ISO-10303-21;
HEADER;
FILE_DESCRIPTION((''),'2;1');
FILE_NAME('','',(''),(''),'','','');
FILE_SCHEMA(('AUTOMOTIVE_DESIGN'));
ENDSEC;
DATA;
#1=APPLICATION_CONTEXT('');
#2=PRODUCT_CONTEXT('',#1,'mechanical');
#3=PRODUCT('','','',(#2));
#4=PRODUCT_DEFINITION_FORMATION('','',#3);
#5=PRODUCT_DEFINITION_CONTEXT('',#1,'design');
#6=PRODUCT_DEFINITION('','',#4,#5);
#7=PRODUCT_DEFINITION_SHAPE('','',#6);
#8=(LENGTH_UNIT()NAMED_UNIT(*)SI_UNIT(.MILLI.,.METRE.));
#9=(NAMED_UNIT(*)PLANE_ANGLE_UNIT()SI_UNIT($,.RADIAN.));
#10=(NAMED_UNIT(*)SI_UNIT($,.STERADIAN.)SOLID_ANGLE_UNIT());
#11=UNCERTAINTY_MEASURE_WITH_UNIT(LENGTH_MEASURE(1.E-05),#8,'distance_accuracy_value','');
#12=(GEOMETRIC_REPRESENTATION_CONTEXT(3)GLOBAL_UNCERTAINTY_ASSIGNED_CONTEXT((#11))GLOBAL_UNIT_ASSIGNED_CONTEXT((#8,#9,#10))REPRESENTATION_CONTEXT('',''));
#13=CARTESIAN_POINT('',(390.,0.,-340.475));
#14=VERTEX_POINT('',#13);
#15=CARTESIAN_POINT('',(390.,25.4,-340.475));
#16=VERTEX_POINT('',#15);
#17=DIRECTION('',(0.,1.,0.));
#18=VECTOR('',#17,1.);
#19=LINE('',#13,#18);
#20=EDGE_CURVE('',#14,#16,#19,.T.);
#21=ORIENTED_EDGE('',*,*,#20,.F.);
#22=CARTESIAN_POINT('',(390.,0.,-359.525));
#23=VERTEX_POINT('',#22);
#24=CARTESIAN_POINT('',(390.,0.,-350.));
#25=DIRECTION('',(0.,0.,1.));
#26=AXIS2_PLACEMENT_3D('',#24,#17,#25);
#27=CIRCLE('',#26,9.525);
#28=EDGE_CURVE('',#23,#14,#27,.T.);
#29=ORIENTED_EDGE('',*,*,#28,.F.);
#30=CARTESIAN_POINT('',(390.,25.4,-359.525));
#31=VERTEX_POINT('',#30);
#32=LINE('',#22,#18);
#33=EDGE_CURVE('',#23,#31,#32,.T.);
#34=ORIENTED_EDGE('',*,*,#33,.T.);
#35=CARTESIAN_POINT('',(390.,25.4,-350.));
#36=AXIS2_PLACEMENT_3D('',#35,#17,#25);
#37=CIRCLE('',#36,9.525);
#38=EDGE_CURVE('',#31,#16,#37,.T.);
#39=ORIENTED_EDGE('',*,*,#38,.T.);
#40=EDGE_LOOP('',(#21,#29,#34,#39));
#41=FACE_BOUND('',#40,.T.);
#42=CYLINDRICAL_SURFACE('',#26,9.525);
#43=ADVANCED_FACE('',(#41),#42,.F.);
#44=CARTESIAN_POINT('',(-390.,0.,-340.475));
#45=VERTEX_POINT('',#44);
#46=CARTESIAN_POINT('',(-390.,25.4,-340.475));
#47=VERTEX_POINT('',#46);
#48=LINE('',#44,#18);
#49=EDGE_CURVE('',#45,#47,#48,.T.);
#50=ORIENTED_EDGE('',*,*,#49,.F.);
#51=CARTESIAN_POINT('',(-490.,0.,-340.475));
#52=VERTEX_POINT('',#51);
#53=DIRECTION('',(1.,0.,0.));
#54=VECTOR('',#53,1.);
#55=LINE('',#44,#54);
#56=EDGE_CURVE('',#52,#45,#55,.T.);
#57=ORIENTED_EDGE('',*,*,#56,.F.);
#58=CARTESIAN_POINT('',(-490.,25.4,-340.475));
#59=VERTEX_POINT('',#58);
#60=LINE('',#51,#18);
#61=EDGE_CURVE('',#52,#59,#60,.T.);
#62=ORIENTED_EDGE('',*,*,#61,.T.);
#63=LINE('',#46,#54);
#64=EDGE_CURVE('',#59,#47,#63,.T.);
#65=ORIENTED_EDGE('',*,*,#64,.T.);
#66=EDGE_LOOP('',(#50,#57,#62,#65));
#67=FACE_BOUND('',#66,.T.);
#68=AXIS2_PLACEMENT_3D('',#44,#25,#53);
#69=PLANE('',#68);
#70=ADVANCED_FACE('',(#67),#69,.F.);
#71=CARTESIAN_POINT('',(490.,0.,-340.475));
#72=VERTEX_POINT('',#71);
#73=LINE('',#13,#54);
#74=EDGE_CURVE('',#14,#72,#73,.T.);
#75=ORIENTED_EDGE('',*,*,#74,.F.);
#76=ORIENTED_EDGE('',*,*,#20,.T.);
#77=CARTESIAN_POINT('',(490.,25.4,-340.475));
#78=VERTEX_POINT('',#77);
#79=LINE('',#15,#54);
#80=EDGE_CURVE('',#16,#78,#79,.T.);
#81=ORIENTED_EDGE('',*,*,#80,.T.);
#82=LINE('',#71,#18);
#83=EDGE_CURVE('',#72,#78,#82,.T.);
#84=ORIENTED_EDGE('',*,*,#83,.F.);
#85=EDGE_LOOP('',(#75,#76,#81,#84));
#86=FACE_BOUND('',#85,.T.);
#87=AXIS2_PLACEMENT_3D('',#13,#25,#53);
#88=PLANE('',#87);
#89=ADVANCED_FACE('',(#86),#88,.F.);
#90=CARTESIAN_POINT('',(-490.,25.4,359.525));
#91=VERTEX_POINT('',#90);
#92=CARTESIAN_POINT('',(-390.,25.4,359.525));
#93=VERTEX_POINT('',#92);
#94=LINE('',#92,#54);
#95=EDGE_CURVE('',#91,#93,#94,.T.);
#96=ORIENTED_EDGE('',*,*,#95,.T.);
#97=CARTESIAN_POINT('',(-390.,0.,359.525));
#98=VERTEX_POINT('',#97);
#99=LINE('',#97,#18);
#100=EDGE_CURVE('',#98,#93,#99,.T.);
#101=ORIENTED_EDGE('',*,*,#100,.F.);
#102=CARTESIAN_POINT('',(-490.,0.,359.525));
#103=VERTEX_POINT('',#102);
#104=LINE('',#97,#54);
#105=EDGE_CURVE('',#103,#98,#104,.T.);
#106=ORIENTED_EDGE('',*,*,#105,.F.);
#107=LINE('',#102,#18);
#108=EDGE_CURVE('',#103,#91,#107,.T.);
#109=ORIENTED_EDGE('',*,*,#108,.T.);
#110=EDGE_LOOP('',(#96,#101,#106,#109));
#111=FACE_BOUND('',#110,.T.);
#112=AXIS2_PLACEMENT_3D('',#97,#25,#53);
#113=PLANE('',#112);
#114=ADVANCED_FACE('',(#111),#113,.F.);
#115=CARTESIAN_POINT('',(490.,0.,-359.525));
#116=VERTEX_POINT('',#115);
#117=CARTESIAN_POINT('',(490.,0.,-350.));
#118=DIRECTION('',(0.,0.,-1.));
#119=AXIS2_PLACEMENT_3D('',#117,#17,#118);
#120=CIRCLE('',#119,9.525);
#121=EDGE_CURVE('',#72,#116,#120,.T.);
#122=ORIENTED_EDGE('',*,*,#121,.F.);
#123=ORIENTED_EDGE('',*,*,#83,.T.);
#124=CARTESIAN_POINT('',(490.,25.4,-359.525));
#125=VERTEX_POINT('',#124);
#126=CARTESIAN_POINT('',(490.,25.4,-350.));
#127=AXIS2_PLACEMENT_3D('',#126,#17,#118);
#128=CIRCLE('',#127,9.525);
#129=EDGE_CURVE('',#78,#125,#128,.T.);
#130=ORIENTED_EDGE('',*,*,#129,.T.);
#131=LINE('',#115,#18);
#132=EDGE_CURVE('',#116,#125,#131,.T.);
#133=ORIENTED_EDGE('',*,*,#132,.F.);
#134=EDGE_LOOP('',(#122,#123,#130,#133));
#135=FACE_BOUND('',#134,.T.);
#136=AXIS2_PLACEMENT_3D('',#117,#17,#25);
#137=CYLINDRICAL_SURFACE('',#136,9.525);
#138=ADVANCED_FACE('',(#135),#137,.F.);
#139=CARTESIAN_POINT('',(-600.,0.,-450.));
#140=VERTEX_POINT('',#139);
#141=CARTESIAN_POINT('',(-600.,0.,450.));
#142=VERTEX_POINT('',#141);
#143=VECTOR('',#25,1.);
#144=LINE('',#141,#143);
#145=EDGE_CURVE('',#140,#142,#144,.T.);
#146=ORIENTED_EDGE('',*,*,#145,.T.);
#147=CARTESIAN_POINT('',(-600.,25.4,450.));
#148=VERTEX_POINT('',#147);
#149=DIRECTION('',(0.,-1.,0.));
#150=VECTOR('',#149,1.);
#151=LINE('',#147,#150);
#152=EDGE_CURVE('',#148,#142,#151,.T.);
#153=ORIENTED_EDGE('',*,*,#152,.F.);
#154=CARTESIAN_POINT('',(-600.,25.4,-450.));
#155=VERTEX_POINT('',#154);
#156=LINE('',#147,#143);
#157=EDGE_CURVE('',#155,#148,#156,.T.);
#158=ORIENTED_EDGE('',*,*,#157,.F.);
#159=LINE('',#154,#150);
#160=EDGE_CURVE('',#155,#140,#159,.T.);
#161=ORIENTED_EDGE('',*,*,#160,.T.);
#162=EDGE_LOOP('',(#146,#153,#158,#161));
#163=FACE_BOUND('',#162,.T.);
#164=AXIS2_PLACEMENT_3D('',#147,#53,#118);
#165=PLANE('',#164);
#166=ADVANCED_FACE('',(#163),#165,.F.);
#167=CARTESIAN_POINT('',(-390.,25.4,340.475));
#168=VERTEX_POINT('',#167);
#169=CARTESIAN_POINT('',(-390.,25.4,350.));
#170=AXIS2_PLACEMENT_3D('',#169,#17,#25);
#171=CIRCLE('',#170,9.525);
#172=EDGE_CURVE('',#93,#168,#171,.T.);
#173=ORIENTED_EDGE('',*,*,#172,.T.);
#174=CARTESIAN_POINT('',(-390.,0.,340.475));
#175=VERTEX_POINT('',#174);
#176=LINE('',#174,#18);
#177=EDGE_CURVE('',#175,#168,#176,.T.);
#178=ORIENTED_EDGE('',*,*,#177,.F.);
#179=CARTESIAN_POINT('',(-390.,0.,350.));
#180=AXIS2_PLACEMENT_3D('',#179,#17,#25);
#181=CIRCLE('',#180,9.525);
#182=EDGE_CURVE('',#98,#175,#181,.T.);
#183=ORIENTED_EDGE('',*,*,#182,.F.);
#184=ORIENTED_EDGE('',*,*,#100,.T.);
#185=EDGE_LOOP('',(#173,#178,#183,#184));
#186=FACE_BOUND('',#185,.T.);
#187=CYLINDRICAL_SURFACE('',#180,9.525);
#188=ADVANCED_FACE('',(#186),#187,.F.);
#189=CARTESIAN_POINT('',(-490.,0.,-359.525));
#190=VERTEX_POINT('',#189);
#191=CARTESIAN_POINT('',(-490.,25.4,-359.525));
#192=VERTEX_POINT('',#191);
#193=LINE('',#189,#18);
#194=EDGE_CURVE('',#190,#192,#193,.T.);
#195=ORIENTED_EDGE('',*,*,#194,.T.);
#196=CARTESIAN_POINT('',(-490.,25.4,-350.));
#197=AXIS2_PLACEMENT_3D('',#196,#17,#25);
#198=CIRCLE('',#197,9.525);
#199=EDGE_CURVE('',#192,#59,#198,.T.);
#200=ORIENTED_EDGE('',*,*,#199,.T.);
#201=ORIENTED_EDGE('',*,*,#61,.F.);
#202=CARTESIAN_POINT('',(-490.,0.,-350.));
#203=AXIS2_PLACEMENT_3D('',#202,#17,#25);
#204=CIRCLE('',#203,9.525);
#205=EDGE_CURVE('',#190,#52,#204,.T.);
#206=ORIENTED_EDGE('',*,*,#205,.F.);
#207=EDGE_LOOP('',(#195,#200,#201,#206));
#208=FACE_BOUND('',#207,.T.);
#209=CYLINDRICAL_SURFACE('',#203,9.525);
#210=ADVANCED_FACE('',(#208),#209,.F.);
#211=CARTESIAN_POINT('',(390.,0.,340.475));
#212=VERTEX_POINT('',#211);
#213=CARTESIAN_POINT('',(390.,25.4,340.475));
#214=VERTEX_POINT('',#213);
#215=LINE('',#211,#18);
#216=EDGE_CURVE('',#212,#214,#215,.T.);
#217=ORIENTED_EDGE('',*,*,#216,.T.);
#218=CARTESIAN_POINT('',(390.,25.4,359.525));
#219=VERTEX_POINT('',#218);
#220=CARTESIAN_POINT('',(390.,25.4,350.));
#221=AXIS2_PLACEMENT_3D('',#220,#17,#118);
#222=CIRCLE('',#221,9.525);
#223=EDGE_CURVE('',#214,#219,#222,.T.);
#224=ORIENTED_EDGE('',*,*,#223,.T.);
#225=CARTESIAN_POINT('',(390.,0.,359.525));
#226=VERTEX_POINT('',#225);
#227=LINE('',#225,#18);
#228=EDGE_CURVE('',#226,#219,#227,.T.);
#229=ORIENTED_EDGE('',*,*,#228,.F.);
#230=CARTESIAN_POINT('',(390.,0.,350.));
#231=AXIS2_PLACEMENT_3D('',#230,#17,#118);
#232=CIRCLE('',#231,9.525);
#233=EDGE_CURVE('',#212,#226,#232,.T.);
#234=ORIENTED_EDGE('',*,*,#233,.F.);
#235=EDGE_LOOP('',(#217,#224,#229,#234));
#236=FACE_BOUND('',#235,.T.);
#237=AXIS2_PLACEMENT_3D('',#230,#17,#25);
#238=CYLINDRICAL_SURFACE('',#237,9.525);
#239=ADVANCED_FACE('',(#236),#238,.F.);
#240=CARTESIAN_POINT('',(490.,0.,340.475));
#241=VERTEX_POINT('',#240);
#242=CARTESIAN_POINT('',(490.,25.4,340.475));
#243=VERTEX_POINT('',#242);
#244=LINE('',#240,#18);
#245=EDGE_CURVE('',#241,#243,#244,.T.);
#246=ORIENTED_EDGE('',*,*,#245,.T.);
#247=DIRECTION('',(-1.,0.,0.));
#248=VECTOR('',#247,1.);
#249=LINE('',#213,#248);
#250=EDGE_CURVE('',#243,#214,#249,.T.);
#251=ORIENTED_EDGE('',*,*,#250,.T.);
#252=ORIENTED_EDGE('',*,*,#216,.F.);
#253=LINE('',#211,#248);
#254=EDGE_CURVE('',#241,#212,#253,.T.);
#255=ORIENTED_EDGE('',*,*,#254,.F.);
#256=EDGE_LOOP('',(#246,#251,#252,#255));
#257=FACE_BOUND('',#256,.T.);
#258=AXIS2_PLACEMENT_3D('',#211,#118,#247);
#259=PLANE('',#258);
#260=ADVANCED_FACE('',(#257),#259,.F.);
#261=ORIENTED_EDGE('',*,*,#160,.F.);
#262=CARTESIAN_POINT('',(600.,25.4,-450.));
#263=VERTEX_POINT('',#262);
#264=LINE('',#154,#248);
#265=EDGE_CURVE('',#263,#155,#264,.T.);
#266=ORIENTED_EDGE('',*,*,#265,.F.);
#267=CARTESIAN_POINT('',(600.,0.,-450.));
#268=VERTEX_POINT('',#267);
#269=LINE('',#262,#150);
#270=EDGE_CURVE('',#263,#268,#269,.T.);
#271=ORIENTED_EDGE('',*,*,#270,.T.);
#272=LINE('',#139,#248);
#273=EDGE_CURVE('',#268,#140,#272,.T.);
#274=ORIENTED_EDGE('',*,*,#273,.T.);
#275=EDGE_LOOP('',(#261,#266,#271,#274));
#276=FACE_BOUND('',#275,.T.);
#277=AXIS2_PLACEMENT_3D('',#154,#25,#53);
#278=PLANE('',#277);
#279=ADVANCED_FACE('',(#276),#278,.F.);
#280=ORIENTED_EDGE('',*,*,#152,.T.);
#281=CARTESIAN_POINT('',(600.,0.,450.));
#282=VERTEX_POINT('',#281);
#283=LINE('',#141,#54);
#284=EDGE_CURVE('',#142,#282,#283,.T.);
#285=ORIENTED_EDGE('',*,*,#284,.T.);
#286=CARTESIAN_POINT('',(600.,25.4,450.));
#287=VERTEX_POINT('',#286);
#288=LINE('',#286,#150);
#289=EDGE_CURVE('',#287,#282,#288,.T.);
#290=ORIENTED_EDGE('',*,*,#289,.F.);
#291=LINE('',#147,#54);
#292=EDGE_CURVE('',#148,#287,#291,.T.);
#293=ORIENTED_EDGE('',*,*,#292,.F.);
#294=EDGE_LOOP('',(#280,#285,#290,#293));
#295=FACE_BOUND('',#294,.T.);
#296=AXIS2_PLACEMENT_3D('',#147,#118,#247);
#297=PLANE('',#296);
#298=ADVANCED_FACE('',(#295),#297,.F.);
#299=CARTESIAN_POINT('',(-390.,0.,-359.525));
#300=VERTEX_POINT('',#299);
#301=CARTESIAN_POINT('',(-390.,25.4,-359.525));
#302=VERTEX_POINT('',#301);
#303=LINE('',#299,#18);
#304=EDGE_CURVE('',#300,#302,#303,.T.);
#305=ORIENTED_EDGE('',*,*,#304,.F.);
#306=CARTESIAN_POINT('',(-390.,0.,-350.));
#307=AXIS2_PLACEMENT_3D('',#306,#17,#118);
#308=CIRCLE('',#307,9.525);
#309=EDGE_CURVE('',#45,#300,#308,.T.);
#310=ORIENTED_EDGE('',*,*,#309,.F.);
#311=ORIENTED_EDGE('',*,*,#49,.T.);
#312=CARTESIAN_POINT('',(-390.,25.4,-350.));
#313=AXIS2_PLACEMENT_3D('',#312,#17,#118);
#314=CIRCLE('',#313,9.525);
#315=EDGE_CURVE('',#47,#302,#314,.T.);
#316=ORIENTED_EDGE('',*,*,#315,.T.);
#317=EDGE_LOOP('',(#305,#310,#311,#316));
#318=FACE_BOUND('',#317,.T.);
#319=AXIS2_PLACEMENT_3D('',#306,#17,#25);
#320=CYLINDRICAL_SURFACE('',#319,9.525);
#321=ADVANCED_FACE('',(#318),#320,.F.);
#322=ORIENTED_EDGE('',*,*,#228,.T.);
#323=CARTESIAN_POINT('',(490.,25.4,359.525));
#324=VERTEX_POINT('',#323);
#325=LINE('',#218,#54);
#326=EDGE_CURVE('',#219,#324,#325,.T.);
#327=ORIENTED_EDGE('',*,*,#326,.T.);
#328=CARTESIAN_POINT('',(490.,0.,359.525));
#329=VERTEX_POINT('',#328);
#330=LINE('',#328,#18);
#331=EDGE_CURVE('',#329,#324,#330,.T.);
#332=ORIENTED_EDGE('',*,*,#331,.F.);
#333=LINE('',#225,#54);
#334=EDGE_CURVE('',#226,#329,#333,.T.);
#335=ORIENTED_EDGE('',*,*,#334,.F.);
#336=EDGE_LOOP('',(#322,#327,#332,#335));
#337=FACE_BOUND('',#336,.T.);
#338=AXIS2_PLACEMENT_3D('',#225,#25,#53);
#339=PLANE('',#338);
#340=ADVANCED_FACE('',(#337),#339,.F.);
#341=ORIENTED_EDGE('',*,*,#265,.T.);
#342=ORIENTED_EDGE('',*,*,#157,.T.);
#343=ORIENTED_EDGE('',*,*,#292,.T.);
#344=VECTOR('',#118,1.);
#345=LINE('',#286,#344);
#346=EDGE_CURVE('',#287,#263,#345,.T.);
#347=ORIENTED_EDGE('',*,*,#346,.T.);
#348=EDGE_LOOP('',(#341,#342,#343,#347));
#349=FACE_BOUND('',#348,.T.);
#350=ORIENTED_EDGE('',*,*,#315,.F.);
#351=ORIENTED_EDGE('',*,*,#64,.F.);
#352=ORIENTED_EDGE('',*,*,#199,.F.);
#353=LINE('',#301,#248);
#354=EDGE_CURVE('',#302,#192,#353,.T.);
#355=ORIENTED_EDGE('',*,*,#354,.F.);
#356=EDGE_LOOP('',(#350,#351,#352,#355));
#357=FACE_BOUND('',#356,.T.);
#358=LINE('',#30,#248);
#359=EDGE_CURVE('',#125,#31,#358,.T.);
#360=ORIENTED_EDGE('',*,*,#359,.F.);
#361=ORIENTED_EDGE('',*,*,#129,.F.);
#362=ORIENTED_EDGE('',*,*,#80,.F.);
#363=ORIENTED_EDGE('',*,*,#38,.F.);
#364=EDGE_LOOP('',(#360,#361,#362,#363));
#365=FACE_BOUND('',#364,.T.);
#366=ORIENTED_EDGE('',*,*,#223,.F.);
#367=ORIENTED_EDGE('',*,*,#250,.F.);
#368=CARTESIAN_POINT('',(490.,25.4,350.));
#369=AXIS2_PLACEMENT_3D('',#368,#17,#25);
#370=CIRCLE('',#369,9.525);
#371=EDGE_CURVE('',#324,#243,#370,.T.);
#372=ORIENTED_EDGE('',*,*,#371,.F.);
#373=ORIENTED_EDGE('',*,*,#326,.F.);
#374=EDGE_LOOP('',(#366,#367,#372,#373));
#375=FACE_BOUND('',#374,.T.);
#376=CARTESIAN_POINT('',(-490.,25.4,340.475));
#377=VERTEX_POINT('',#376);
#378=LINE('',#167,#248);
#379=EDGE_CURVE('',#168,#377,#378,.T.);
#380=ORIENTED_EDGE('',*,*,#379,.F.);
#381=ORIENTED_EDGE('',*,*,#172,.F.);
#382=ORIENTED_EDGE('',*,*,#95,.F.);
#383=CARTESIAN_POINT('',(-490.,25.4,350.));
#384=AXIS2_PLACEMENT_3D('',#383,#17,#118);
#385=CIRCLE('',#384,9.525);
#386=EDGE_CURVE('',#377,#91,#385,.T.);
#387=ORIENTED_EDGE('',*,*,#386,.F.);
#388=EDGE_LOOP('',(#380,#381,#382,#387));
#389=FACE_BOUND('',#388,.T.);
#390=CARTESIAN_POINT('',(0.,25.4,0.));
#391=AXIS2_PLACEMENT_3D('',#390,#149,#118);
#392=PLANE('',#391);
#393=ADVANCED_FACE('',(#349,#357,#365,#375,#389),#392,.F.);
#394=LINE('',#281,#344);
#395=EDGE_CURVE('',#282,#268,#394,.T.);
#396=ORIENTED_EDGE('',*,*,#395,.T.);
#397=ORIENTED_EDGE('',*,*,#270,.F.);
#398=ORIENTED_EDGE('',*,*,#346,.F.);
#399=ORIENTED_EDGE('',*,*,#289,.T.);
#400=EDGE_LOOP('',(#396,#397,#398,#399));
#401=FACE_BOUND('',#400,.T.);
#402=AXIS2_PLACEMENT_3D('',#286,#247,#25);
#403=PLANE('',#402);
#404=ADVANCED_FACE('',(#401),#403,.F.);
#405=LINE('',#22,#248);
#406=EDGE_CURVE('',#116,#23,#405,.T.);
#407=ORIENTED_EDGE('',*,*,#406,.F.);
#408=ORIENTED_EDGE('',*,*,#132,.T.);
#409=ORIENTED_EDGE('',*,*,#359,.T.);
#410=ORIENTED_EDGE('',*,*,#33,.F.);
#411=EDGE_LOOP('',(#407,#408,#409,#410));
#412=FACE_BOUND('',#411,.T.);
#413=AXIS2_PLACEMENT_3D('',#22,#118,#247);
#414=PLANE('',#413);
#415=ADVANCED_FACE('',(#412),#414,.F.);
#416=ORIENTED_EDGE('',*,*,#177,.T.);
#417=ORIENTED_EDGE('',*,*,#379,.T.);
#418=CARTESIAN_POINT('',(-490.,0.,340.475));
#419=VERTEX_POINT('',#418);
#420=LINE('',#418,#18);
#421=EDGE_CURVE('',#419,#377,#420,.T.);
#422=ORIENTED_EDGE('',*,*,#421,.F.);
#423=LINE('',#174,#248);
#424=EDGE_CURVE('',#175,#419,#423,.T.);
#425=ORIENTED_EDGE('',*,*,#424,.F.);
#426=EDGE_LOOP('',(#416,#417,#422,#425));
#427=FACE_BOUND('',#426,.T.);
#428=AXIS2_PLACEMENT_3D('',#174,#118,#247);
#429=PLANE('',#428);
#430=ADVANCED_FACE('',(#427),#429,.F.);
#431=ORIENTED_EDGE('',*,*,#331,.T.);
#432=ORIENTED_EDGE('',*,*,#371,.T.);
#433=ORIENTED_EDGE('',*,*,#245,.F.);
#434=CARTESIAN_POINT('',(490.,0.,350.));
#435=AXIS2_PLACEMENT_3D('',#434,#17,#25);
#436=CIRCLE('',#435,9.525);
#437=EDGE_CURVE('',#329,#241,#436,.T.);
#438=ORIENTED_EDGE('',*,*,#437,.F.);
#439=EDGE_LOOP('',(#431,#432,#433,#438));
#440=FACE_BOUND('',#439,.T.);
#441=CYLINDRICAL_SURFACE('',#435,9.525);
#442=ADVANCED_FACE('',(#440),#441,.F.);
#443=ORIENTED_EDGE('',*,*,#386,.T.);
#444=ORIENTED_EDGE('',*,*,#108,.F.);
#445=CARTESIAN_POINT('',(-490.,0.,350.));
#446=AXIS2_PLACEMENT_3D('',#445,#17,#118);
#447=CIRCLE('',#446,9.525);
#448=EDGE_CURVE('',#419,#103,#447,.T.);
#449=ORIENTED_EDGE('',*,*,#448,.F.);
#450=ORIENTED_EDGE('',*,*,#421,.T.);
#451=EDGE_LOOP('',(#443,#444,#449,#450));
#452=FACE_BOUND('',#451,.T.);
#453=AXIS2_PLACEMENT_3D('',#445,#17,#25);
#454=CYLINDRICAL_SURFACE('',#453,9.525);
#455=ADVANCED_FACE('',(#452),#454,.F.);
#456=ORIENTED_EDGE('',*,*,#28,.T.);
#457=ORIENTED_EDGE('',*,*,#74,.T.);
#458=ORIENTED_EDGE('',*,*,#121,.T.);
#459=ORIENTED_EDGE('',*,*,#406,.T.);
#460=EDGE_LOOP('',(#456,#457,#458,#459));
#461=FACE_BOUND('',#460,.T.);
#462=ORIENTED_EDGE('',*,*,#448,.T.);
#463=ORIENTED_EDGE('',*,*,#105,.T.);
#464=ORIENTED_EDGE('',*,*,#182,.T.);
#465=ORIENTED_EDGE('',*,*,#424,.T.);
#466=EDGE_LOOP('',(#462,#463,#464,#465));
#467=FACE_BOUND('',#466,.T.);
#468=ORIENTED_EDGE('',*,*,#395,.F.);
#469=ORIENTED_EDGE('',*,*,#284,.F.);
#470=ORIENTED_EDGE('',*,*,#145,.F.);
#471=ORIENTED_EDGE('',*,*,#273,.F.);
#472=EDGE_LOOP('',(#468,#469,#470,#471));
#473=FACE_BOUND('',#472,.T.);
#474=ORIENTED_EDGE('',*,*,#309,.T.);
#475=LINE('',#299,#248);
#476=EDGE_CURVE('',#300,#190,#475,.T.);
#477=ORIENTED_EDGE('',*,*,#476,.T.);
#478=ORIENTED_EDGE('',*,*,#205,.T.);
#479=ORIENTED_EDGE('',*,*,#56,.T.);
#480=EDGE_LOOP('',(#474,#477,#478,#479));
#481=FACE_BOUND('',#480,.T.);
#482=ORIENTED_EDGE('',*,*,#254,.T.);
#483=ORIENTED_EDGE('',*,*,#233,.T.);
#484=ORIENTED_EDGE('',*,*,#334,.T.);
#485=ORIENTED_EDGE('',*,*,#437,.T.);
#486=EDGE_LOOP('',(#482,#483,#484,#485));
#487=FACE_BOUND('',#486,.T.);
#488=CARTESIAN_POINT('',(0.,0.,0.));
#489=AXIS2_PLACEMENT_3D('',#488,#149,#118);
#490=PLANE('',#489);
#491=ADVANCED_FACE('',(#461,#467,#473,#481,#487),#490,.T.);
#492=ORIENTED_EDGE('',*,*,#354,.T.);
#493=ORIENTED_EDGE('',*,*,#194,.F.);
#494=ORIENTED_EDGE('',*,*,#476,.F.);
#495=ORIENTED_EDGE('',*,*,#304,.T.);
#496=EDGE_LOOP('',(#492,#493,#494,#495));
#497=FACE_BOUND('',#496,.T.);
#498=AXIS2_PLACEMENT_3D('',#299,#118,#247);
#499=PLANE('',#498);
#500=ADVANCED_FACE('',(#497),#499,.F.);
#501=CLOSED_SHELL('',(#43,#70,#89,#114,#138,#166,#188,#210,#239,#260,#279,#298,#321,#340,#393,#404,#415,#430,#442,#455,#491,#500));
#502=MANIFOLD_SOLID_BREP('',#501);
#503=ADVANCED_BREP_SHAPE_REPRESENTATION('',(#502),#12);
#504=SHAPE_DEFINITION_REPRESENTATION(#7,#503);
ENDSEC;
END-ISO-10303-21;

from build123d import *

# Parameters (mm, degrees)
CROQUIS1_W              = 1200
CROQUIS1_H              = 900
SALIENTE_EXTRUIR1_DEPTH = 25.4
CORTAR_EXTRUIR1_DEPTH   = 25.4


with BuildPart() as part:
    # Croquis1 → Saliente-Extruir1 (new body)
    with BuildSketch(Plane(origin=(0, 0, 0), x_dir=(1, 0, 0), z_dir=(0, 1, 0))):
        Rectangle(CROQUIS1_W, CROQUIS1_H)
    extrude(amount=SALIENTE_EXTRUIR1_DEPTH)

    # Croquis2 → Cortar-Extruir1 (cut)
    with BuildSketch(Plane(origin=(0, 25.4, 0), x_dir=(1, 0, 0), z_dir=(0, 1, 0))):
        with BuildLine():
            Line((390, 359.525), (490, 359.525))
            ThreePointArc((490, 359.525), (499.525, 350), (490, 340.475))
            Line((490, 340.475), (390, 340.475))
            ThreePointArc((390, 340.475), (380.475, 350), (390, 359.525))
        make_face()
        with BuildLine():
            Line((-390, 340.475), (-490, 340.475))
            ThreePointArc((-490, 340.475), (-499.525, 350), (-490, 359.525))
            Line((-490, 359.525), (-390, 359.525))
            ThreePointArc((-390, 359.525), (-380.475, 350), (-390, 340.475))
        make_face()
        with BuildLine():
            Line((-390, -359.525), (-490, -359.525))
            ThreePointArc((-490, -359.525), (-499.525, -350), (-490, -340.475))
            Line((-490, -340.475), (-390, -340.475))
            ThreePointArc((-390, -340.475), (-380.475, -350), (-390, -359.525))
        make_face()
        with BuildLine():
            Line((390, -340.475), (490, -340.475))
            ThreePointArc((490, -340.475), (499.525, -350), (490, -359.525))
            Line((490, -359.525), (390, -359.525))
            ThreePointArc((390, -359.525), (380.475, -350), (390, -340.475))
        make_face()
    extrude(amount=-CORTAR_EXTRUIR1_DEPTH, mode=Mode.SUBTRACT)


solid = part.part
